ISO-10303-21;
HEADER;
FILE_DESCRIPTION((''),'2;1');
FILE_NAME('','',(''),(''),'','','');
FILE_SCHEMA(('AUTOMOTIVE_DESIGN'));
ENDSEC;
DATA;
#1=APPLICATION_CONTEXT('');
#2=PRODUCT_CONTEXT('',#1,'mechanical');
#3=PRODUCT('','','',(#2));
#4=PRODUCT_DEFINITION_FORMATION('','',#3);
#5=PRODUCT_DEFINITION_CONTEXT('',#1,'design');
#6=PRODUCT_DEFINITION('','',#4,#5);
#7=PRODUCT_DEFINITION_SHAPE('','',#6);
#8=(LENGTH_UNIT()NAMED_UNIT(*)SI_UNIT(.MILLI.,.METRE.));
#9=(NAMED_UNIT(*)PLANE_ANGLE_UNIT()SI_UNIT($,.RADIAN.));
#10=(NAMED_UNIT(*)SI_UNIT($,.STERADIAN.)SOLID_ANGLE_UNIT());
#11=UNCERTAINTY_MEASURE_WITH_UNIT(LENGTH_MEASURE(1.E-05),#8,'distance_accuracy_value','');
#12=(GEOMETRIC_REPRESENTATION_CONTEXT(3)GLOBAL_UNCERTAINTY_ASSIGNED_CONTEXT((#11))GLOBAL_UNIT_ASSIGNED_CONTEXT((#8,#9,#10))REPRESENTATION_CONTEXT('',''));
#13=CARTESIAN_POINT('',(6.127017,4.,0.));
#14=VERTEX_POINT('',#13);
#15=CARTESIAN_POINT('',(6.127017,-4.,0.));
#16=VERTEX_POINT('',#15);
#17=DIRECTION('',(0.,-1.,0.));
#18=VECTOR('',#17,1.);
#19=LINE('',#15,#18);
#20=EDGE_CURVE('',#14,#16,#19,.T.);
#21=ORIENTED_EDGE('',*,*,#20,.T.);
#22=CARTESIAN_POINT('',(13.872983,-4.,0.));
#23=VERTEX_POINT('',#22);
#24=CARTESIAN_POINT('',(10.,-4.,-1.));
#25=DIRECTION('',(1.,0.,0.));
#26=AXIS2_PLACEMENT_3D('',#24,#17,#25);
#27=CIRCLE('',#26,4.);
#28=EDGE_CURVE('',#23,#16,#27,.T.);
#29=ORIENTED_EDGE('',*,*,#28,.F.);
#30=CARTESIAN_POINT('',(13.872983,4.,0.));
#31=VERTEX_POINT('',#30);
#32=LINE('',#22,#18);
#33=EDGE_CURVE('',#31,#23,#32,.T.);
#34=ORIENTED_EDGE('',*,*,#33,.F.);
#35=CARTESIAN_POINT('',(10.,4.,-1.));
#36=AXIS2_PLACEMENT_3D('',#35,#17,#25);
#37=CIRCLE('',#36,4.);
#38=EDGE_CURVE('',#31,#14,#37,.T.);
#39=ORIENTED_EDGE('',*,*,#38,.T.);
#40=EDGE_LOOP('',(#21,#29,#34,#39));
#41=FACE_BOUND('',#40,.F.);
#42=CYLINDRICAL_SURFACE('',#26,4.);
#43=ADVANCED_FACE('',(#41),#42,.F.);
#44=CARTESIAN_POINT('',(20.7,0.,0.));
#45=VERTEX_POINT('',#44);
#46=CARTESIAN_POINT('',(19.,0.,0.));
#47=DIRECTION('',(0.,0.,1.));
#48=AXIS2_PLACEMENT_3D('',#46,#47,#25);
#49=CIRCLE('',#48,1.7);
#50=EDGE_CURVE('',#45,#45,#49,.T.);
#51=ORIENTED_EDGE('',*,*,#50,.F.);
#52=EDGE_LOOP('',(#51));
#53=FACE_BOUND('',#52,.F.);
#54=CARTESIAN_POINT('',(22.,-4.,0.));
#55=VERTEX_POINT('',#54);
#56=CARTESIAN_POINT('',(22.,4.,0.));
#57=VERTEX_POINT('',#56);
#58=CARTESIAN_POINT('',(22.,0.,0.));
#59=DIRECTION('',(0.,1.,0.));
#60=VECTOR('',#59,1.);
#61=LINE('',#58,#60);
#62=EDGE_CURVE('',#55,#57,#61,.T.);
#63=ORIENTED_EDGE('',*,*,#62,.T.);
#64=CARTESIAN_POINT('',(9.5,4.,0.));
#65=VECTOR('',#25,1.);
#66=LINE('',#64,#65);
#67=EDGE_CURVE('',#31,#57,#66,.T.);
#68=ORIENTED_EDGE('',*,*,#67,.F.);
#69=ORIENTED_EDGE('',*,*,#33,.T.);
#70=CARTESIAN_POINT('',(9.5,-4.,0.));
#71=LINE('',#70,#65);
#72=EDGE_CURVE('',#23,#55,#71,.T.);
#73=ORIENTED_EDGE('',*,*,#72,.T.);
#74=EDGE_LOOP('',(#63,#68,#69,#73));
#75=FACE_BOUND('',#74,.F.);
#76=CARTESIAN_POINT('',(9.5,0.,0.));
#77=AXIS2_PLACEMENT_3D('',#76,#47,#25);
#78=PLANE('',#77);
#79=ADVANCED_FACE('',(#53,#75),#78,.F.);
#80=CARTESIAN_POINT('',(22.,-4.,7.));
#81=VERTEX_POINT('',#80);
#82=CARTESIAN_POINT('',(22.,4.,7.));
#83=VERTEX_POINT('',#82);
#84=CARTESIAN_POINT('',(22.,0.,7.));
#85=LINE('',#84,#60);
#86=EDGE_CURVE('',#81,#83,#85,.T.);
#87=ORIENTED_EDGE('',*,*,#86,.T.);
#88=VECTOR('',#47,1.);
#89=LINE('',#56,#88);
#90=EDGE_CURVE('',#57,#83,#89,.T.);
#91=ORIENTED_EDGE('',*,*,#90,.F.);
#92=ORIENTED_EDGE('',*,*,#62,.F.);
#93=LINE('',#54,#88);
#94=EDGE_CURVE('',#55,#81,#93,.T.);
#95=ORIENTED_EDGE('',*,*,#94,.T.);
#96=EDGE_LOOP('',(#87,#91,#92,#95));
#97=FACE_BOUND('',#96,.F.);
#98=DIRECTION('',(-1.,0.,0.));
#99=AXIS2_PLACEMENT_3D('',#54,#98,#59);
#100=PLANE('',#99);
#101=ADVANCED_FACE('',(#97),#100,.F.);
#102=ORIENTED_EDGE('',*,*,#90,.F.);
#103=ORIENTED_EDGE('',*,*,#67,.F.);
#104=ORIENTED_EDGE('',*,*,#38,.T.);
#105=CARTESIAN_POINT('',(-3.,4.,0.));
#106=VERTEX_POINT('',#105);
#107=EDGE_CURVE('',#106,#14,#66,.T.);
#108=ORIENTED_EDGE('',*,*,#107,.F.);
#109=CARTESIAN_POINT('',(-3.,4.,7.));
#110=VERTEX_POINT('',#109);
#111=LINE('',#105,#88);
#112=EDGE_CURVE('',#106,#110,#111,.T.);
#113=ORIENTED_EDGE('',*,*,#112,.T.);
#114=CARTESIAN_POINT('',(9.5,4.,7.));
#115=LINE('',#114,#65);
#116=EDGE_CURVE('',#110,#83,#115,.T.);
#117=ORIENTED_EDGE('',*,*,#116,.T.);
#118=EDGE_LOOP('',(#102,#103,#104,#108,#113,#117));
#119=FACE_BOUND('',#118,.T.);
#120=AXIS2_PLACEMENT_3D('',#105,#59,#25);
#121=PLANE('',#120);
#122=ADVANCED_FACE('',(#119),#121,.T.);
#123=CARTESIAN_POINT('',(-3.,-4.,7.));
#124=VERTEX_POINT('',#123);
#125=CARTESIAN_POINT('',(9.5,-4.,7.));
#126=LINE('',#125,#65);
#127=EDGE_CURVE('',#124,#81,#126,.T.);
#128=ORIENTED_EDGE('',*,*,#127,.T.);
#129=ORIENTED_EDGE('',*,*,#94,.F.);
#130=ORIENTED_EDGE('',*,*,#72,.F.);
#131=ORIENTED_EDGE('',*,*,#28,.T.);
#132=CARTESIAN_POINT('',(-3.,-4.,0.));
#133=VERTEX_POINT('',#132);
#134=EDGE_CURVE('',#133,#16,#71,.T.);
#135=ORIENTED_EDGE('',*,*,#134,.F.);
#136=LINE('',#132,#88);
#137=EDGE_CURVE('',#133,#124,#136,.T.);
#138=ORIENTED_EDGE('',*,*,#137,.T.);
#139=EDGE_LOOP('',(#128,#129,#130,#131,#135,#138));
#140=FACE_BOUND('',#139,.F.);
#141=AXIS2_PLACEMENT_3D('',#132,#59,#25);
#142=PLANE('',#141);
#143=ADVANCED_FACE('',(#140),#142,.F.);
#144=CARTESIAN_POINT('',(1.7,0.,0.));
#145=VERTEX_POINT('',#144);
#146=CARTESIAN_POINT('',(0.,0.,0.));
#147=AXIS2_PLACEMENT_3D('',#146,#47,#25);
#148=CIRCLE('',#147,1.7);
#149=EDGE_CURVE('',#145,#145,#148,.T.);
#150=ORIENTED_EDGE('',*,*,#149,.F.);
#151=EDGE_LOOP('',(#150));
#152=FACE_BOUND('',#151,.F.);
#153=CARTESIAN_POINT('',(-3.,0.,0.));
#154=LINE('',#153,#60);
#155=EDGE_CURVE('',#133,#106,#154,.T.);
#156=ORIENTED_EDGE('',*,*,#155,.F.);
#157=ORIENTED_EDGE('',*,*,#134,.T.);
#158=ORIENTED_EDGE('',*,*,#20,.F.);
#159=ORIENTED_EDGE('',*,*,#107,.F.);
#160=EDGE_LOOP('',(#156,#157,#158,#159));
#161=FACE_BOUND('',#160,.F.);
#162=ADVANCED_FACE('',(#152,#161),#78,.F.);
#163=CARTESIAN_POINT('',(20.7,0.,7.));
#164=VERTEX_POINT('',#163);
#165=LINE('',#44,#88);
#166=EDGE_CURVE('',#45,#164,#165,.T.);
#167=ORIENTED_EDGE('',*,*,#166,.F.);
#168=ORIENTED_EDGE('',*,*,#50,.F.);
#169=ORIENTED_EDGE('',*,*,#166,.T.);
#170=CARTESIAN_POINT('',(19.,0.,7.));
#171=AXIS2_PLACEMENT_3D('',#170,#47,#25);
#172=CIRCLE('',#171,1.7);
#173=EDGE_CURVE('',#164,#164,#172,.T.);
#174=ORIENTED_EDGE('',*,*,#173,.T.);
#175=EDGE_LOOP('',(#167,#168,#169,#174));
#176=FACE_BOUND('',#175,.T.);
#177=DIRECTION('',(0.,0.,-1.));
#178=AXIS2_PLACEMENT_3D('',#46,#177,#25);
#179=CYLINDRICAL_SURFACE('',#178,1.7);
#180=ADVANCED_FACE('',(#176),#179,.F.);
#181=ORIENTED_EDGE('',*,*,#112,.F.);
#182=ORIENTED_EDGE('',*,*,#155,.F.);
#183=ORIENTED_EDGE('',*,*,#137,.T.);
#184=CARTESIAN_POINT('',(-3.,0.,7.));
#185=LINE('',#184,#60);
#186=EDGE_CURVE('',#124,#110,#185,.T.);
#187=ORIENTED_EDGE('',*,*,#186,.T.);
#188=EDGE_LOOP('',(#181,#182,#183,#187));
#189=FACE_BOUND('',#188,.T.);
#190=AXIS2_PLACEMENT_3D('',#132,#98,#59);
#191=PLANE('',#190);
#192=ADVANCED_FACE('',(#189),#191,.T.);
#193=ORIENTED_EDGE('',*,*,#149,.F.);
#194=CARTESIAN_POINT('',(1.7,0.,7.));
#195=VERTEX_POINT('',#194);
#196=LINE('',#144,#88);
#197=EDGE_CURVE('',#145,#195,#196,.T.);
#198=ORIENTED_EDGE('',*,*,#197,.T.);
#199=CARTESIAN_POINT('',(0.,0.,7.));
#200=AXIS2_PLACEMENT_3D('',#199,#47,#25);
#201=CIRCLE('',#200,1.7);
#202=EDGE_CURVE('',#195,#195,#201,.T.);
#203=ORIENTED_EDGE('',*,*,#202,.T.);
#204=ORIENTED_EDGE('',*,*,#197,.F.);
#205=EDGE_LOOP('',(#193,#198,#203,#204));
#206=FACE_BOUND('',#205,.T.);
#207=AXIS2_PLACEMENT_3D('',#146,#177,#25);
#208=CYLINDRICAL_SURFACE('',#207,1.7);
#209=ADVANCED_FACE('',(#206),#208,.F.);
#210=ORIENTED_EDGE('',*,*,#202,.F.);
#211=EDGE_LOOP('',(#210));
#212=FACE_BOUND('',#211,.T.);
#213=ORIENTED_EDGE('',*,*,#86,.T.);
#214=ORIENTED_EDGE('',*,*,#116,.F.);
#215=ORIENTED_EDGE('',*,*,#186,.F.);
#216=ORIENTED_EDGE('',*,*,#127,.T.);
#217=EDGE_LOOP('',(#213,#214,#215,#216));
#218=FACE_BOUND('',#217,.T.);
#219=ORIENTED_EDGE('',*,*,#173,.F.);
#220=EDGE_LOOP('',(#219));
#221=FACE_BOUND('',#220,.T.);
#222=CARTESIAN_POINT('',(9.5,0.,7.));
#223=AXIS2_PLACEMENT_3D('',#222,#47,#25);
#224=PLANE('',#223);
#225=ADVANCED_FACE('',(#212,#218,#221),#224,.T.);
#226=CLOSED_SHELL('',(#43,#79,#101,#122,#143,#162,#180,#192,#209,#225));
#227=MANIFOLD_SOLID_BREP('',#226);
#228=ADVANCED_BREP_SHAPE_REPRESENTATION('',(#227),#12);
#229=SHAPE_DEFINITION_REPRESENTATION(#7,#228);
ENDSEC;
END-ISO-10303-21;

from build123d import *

# Parameters (mm, degrees)
SKETCH_W     = 25
SKETCH_H     = 8
SKETCH_R     = 1.7
PAD_DEPTH    = 7
SKETCH002_R  = 4
POCKET_DEPTH = 8.001


with BuildPart() as part:
    # Sketch → Pad (new body)
    with BuildSketch(Plane.XY):
        with Locations((9.5, 0)):
            Rectangle(SKETCH_W, SKETCH_H)
        Circle(SKETCH_R, mode=Mode.SUBTRACT)
        with Locations((19, 0)):
            Circle(SKETCH_R, mode=Mode.SUBTRACT)
    extrude(amount=PAD_DEPTH)

    # Sketch002 → Pocket (cut, through all)
    with BuildSketch(Plane.XZ.offset(4)):
        with Locations((10, -1)):
            Circle(SKETCH002_R)
    extrude(amount=-POCKET_DEPTH, mode=Mode.SUBTRACT)


solid = part.part
